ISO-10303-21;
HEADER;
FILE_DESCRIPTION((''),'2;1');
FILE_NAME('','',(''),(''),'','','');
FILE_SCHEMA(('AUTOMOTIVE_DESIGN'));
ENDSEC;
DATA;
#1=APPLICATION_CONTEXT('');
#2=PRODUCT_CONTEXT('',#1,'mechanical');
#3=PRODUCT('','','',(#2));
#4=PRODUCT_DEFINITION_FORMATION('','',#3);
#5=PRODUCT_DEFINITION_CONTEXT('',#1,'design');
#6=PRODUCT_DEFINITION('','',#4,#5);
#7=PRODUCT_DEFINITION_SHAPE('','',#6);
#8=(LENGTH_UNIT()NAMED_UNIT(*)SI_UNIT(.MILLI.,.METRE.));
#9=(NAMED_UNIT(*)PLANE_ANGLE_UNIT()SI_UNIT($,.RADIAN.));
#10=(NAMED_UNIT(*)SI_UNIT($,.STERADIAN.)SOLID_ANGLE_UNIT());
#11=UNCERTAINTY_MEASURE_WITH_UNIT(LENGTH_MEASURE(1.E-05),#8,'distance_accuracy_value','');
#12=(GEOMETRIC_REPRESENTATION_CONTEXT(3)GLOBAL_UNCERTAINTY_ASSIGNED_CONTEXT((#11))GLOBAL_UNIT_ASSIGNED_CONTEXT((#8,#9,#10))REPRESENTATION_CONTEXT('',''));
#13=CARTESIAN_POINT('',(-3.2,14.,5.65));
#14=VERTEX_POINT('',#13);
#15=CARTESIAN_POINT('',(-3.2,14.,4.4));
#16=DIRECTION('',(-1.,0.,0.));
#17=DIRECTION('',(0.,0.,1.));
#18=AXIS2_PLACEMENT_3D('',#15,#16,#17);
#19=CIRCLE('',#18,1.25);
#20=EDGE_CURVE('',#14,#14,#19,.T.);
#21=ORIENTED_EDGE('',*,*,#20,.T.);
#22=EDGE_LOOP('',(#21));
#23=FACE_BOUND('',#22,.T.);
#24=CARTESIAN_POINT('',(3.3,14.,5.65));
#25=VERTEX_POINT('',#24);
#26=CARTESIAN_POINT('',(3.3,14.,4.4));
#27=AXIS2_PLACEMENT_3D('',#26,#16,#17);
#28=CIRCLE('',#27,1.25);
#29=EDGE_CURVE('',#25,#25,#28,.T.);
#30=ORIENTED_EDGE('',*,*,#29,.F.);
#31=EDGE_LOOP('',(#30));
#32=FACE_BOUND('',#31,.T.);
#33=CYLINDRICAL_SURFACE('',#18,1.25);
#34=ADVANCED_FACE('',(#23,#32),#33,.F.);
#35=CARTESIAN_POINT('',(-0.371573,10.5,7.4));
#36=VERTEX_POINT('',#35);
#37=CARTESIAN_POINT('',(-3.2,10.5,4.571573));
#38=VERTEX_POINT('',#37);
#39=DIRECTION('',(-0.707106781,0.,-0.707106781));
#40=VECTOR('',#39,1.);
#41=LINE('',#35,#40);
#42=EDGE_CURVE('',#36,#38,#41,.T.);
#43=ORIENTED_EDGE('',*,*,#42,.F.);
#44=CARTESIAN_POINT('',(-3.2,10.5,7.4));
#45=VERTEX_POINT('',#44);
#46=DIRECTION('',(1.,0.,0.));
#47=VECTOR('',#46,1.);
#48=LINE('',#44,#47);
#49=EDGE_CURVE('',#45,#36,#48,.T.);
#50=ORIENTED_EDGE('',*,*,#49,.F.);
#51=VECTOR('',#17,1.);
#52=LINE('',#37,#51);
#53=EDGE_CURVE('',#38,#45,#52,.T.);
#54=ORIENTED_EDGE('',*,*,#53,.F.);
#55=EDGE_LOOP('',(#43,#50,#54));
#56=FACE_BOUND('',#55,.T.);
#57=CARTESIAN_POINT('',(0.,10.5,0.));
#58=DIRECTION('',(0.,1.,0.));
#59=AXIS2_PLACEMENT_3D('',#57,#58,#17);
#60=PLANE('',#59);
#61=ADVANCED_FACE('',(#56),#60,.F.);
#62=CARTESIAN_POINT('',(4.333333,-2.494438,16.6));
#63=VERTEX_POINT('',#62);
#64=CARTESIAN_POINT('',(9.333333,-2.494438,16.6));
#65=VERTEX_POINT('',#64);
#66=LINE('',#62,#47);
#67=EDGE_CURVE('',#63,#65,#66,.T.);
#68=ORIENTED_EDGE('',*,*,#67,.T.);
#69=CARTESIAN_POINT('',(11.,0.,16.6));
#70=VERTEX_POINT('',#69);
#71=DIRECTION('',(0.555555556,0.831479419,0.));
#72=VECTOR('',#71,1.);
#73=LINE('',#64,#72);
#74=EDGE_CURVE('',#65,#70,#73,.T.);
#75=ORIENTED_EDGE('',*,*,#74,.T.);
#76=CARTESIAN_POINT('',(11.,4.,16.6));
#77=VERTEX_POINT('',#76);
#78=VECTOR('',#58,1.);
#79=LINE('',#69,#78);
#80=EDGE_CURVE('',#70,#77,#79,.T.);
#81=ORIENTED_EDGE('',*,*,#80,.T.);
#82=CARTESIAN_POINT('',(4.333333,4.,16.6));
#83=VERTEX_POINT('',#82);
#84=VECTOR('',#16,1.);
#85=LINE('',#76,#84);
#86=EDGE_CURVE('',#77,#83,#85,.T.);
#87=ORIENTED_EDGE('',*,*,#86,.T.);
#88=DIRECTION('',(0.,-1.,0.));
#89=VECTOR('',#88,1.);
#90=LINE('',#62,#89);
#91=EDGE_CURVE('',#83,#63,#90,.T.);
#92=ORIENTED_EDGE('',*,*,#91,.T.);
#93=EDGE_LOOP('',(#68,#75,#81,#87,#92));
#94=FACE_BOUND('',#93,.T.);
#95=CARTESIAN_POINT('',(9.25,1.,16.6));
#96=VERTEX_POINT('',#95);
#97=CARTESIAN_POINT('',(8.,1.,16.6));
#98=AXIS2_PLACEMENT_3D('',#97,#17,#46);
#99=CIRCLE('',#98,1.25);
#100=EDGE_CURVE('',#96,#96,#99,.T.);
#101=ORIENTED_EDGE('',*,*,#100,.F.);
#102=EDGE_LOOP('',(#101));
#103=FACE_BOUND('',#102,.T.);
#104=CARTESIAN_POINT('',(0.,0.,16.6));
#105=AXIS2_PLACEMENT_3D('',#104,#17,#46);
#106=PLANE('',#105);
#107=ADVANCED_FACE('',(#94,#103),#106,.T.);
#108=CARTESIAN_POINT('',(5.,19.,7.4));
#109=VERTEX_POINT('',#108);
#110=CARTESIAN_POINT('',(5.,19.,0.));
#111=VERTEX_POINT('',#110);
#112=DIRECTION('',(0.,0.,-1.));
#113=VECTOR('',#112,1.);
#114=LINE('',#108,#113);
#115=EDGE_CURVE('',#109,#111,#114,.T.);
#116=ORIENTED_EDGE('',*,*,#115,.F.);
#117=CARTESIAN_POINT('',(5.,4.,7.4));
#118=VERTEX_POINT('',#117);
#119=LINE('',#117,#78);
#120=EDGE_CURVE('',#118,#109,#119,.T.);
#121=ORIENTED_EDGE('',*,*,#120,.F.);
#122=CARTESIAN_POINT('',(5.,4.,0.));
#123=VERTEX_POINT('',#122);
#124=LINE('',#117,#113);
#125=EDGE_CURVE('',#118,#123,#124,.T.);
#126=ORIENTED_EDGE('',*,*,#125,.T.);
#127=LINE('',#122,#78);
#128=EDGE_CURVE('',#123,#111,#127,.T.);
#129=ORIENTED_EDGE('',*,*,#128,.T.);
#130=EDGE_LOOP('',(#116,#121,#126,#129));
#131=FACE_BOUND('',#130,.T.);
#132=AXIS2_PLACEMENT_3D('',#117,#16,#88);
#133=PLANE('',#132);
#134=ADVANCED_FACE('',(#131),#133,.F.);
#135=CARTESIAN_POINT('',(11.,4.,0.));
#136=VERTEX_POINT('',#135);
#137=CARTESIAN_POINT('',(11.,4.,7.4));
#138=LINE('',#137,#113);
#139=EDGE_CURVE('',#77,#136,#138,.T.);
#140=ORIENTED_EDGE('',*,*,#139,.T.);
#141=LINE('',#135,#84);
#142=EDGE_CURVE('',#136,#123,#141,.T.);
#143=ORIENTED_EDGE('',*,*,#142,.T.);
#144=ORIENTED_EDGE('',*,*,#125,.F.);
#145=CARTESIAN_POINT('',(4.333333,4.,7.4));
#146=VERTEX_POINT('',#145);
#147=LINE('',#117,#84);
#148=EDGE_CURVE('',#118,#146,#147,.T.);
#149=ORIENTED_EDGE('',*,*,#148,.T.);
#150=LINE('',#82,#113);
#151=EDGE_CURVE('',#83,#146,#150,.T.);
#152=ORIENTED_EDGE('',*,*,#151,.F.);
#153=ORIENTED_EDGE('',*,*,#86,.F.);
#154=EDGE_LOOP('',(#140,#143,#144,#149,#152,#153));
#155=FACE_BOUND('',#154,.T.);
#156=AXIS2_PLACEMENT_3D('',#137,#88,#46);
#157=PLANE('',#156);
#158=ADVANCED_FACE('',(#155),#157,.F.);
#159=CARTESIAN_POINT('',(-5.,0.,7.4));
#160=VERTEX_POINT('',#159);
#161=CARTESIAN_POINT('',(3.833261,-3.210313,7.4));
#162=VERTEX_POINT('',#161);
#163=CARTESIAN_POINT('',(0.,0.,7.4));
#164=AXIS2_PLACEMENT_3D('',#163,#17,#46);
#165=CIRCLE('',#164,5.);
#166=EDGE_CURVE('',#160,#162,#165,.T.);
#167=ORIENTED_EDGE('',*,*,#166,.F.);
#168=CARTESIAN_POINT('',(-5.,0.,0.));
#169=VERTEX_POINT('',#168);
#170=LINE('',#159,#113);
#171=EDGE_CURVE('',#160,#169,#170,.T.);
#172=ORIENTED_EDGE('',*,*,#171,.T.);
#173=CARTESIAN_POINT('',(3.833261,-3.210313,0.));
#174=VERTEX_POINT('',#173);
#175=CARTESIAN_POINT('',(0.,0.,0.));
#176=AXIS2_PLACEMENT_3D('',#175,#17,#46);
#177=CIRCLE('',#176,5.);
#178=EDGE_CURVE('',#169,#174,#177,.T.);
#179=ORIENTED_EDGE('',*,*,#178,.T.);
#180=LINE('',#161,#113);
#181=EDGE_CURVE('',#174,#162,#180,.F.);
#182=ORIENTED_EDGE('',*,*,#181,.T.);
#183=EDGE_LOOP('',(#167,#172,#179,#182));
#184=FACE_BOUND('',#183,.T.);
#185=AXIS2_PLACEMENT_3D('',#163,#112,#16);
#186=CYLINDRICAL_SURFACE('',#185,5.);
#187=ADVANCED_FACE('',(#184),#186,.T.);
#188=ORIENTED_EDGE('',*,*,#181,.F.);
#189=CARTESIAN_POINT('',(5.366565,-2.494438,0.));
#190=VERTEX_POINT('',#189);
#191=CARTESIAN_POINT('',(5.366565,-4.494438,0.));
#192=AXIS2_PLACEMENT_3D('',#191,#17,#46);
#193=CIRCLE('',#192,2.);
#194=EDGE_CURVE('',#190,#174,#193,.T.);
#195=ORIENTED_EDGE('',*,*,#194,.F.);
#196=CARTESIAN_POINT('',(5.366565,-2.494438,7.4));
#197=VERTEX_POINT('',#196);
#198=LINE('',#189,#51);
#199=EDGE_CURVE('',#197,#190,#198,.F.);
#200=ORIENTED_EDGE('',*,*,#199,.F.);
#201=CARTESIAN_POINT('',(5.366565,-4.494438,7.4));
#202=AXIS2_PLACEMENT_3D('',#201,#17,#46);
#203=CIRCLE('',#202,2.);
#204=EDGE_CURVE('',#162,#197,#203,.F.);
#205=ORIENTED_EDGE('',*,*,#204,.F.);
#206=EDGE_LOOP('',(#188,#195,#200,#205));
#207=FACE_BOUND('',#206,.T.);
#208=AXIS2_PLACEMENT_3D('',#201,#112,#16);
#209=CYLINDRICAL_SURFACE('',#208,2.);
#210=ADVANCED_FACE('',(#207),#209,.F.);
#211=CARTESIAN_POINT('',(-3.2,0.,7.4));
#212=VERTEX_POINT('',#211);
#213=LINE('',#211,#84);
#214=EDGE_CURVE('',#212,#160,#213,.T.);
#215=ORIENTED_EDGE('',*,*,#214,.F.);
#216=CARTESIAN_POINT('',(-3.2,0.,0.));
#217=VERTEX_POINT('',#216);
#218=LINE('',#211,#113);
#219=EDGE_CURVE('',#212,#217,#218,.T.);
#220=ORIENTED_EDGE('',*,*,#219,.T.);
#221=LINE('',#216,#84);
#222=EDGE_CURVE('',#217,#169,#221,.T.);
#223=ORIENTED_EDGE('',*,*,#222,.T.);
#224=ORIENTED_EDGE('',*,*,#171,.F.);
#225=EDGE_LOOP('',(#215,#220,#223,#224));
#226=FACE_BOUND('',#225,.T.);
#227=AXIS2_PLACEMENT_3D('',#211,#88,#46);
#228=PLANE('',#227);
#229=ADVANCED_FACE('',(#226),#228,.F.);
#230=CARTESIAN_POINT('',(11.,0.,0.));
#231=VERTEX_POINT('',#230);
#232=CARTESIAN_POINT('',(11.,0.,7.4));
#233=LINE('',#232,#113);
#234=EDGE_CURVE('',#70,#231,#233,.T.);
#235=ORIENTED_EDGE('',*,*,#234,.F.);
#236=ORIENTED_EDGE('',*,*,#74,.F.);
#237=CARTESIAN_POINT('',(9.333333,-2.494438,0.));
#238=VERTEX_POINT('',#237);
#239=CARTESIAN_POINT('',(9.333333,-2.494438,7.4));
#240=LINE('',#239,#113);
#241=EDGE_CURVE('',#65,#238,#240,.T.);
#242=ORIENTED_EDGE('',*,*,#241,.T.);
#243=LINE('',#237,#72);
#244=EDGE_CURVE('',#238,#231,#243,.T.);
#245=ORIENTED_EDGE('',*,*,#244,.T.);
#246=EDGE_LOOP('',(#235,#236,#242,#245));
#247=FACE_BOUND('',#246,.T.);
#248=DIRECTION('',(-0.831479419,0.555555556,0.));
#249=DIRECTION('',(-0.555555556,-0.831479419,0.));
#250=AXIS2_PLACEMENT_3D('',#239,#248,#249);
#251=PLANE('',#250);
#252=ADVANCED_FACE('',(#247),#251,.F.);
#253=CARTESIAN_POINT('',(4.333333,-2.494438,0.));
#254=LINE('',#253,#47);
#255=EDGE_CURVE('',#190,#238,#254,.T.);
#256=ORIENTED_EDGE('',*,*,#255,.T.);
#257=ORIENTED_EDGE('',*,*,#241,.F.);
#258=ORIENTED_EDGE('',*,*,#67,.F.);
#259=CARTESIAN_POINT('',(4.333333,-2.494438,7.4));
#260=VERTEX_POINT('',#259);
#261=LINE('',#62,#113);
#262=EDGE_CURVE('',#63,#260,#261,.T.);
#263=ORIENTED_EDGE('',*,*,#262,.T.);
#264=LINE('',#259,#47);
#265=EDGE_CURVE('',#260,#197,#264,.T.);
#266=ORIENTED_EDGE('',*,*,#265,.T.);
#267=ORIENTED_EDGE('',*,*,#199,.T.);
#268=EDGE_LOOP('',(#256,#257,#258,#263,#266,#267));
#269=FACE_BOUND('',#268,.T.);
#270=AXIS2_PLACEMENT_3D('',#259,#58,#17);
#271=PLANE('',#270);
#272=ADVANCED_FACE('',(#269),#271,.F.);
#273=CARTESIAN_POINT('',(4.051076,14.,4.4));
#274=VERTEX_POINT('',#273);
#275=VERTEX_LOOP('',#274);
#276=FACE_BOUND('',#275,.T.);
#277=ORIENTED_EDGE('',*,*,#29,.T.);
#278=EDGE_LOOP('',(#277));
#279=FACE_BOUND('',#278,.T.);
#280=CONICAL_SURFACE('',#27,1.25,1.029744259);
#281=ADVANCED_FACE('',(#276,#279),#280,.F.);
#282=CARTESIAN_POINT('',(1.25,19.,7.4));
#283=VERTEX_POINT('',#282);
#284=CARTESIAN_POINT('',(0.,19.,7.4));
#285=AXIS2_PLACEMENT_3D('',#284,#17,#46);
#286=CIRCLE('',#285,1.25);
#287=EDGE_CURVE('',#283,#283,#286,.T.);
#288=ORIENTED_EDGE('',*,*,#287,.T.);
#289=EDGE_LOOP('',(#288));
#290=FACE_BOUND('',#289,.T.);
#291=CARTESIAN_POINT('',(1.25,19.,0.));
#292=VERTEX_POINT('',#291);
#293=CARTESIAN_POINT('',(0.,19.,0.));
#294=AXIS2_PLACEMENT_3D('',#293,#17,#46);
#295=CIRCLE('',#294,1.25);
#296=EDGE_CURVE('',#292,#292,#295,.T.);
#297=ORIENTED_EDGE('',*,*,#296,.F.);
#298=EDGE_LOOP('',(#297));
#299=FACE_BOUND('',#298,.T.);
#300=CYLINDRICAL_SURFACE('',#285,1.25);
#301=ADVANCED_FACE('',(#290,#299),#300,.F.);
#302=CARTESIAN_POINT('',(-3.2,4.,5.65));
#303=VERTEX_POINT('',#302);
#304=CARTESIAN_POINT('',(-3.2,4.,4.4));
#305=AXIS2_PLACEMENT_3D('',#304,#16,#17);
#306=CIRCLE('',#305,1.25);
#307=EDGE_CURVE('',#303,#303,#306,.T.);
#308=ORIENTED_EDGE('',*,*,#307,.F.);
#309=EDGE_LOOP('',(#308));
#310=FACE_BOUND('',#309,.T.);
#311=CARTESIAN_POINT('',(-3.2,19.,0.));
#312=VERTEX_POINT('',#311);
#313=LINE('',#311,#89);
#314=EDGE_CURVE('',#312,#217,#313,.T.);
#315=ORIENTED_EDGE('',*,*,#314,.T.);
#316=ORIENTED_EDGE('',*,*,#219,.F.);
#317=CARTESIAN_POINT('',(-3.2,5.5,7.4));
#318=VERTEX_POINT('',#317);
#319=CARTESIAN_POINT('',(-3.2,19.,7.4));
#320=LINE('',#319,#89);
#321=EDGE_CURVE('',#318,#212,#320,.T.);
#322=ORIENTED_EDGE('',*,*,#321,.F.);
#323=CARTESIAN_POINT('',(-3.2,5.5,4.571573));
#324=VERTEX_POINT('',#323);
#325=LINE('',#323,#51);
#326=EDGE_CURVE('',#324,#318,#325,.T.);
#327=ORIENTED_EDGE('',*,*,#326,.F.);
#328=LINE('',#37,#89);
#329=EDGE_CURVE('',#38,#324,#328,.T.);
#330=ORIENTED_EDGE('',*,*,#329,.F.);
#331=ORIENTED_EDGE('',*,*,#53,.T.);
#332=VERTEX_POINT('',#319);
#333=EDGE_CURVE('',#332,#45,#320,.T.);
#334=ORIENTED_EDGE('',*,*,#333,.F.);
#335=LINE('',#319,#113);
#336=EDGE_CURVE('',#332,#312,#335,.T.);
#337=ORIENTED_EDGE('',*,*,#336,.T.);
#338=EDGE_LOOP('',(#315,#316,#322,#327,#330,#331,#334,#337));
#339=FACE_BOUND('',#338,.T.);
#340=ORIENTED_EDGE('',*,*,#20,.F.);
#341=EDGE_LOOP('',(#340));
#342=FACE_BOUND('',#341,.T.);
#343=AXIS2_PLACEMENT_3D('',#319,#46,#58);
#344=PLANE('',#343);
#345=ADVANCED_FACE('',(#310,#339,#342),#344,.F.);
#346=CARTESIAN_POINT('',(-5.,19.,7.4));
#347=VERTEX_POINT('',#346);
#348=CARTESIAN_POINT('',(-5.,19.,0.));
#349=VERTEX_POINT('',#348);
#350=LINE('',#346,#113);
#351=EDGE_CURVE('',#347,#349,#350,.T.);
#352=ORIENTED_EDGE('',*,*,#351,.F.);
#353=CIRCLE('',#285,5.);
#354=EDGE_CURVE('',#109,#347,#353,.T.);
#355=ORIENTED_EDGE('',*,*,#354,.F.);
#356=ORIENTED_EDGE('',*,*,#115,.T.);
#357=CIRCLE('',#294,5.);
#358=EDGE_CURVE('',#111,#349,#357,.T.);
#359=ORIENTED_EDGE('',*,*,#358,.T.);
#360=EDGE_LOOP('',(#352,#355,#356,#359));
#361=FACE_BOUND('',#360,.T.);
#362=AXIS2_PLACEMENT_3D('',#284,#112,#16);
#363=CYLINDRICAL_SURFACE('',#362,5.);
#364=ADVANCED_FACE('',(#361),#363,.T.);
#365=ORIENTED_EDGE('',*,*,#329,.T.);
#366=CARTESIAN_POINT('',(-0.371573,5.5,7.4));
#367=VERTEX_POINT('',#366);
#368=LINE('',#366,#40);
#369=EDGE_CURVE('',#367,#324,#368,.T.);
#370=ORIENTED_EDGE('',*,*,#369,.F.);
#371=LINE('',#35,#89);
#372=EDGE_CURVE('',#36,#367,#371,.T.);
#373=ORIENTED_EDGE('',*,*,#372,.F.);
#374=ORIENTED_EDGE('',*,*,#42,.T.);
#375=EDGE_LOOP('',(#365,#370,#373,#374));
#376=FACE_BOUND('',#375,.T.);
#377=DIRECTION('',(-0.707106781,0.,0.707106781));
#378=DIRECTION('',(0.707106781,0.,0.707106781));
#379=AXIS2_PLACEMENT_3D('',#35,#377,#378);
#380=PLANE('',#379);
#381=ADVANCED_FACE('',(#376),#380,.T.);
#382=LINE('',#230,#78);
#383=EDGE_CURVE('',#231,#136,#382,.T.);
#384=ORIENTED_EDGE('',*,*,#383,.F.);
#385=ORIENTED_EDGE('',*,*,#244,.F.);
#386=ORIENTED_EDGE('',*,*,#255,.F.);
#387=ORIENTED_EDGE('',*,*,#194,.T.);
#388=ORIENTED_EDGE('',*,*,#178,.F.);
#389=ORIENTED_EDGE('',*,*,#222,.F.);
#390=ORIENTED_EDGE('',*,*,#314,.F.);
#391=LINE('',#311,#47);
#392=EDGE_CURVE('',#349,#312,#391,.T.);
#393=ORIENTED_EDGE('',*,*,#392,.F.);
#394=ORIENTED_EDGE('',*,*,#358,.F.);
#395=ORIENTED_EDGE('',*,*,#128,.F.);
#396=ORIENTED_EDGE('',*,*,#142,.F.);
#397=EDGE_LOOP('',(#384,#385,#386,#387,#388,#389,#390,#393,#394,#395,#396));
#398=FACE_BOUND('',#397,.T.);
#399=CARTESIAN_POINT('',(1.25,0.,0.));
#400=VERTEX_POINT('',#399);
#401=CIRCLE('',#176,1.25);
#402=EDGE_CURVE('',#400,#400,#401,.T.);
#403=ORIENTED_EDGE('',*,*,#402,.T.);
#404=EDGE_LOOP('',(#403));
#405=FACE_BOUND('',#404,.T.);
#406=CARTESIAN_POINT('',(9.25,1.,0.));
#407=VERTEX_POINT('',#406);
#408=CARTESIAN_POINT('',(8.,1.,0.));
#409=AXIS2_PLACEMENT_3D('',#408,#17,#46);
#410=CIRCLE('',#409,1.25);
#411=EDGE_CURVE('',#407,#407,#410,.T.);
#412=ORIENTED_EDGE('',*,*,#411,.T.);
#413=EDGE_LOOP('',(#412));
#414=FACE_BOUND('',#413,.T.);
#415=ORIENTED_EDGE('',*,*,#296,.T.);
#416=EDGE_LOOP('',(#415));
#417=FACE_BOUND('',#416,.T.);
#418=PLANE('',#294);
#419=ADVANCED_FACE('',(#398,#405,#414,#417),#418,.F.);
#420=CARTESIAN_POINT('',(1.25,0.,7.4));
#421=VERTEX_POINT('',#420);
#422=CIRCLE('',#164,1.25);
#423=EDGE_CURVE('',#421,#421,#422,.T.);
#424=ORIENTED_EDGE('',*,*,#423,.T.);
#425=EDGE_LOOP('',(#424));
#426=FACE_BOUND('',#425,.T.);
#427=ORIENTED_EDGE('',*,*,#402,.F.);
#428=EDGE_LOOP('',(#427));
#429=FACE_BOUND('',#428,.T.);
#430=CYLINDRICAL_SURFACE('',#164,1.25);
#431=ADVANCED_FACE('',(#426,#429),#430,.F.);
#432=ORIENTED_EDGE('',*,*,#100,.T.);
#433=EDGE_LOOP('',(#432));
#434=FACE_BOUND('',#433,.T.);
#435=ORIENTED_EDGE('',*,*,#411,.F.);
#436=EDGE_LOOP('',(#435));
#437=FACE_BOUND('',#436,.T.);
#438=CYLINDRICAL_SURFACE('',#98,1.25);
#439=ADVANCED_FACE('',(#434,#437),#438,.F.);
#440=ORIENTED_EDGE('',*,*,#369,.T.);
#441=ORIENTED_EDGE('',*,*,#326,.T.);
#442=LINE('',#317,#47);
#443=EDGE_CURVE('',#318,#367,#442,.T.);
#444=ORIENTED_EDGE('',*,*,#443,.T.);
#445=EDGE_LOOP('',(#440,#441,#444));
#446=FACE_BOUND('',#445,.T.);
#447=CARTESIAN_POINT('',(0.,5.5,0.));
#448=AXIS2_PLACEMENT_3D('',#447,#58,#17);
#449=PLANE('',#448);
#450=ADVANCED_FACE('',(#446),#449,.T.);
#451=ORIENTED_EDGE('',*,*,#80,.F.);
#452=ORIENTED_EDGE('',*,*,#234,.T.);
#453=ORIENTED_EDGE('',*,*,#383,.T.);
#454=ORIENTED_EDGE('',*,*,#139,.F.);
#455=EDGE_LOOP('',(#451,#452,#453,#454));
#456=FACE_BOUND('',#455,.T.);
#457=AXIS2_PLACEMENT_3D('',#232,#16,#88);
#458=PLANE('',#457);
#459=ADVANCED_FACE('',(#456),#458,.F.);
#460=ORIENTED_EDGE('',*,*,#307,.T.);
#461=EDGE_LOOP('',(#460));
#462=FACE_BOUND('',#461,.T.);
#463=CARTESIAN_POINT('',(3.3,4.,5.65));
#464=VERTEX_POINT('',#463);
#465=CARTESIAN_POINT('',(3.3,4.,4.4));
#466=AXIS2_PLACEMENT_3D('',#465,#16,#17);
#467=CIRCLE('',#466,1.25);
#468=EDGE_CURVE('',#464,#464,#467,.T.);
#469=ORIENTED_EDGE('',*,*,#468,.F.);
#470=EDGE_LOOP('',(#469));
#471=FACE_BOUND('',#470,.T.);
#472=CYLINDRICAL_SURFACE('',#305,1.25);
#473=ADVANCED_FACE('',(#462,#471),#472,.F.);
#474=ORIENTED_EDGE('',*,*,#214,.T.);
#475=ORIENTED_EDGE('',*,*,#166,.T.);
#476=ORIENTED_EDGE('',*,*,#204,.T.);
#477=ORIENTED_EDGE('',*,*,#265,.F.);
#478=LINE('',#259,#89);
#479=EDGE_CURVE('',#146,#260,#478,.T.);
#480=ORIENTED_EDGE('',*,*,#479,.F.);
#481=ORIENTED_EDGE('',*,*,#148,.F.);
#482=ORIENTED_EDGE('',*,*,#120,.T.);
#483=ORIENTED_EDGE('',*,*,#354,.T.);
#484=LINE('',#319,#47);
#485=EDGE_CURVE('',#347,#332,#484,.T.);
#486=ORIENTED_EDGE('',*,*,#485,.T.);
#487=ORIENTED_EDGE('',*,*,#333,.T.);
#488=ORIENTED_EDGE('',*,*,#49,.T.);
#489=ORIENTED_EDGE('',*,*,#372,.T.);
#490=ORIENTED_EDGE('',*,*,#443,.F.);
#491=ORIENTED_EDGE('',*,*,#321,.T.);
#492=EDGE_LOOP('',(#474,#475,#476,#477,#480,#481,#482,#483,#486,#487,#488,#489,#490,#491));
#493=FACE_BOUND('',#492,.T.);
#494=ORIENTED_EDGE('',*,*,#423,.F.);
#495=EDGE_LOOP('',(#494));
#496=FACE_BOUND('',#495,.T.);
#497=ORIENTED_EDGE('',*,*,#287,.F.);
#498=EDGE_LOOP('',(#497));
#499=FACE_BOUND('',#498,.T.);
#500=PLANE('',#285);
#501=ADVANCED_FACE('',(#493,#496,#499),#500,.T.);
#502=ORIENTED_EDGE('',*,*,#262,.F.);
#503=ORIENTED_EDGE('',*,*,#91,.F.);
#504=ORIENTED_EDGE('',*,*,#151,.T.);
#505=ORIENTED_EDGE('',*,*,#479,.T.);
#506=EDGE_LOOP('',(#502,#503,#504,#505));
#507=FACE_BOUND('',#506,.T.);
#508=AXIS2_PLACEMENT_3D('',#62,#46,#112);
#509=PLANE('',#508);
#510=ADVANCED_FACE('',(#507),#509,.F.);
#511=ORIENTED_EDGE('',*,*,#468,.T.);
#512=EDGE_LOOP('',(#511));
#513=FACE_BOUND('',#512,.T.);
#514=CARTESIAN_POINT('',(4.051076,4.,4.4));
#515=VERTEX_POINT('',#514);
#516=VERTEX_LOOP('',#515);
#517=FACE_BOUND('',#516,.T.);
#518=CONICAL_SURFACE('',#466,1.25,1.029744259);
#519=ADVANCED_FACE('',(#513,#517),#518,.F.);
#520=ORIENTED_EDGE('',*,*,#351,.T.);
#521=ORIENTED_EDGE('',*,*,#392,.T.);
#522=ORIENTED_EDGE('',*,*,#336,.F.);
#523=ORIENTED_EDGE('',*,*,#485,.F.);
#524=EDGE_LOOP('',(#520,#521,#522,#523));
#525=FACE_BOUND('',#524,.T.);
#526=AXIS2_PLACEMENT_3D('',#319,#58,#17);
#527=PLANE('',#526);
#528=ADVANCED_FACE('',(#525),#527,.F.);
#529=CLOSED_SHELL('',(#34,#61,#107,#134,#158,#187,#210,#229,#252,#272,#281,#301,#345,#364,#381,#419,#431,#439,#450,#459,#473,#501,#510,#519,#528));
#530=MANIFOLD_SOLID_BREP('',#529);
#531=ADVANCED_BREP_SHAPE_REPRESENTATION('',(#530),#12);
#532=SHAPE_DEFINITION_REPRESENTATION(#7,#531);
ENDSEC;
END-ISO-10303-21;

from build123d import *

# Parameters (mm, degrees)
EXTRUDE_1_DEPTH        = 7.4
EXTRUDE_2_DEPTH        = 9.2
HOLE_WIZARD_M3_1_D     = 2.5
HOLE_WIZARD_M3_1_DEPTH = 6.5
HOLE_WIZARD_M3_1_TIP   = 0.751075774
HOLE_WIZARD_M3_3_D     = 2.5
HOLE_WIZARD_M3_4_D     = 2.5
FILLET_1_R             = 2
CUT_EXTRUDE_1_DEPTH    = 5


with BuildPart() as part:
    # 草图1 → 凸台-拉伸1 (new body)
    with BuildSketch(Plane.XY):
        with BuildLine():
            Line((-3.2, 19), (-3.2, 0))
            Line((-3.2, 0), (-5, 0))
            ThreePointArc((-5, 0), (-1.290994449, -4.830458915), (4.333333333, -2.494438258))
            Line((4.333333333, -2.494438258), (9.333333333, -2.494438258))
            Line((9.333333333, -2.494438258), (11, 0))
            Line((11, 0), (11, 4))
            Line((11, 4), (5, 4))
            Line((5, 4), (5, 19))
            ThreePointArc((5, 19), (0, 24), (-5, 19))
            Line((-5, 19), (-3.2, 19))
        make_face()
    extrude(amount=EXTRUDE_1_DEPTH)

    # 草图2 → 凸台-拉伸2 (add)
    with BuildSketch(Plane.XY.offset(7.4)):
        Polygon((11, 4), (5, 4), (4.333333333, 4), (4.333333333, -2.494438258), (9.333333333, -2.494438258), (11, 0), align=None)
    extrude(amount=EXTRUDE_2_DEPTH)

    # M3 螺纹孔1
    with Locations(Plane(origin=(-3.2, 14, 4.4), x_dir=(0, -1, 0), z_dir=(-1, 0, 0))):
        with Locations((0, 0), (10, 0)):
            Hole(HOLE_WIZARD_M3_1_D / 2, depth=HOLE_WIZARD_M3_1_DEPTH)
            with Locations((0, 0, -(HOLE_WIZARD_M3_1_DEPTH + HOLE_WIZARD_M3_1_TIP / 2))):  # 118° drill point
                Cone(0, HOLE_WIZARD_M3_1_D / 2, HOLE_WIZARD_M3_1_TIP, mode=Mode.SUBTRACT)

    # M3 螺纹孔3 (through all)
    with Locations(Plane.XY.offset(7.4)):
        with Locations((0, 0), (0, 19)):
            Hole(HOLE_WIZARD_M3_3_D / 2)

    # M3 螺纹孔4 (through all)
    with Locations(Plane(origin=(8, 1, 16.6), x_dir=(1, 0, 0), z_dir=(0, 0, 1))):
        with Locations((0, 0)):
            Hole(HOLE_WIZARD_M3_4_D / 2)

    # 圆角1
    fillet_1_edges = [part.edges().sort_by_distance(p)[0] for p in [
        (4.333333333, -2.494438258, 3.7),
    ]]
    fillet(fillet_1_edges, radius=FILLET_1_R)

    # 草图10 → 切除-拉伸1 (cut)
    with BuildSketch(Plane(origin=(0, 5.5, 0), x_dir=(1, 0, 0), z_dir=(0, 1, 0))):
        Polygon((-3.2, -7.4), (-0.371572875, -7.4), (-3.2, -4.571572875), align=None)
    extrude(amount=CUT_EXTRUDE_1_DEPTH, mode=Mode.SUBTRACT)


solid = part.part
